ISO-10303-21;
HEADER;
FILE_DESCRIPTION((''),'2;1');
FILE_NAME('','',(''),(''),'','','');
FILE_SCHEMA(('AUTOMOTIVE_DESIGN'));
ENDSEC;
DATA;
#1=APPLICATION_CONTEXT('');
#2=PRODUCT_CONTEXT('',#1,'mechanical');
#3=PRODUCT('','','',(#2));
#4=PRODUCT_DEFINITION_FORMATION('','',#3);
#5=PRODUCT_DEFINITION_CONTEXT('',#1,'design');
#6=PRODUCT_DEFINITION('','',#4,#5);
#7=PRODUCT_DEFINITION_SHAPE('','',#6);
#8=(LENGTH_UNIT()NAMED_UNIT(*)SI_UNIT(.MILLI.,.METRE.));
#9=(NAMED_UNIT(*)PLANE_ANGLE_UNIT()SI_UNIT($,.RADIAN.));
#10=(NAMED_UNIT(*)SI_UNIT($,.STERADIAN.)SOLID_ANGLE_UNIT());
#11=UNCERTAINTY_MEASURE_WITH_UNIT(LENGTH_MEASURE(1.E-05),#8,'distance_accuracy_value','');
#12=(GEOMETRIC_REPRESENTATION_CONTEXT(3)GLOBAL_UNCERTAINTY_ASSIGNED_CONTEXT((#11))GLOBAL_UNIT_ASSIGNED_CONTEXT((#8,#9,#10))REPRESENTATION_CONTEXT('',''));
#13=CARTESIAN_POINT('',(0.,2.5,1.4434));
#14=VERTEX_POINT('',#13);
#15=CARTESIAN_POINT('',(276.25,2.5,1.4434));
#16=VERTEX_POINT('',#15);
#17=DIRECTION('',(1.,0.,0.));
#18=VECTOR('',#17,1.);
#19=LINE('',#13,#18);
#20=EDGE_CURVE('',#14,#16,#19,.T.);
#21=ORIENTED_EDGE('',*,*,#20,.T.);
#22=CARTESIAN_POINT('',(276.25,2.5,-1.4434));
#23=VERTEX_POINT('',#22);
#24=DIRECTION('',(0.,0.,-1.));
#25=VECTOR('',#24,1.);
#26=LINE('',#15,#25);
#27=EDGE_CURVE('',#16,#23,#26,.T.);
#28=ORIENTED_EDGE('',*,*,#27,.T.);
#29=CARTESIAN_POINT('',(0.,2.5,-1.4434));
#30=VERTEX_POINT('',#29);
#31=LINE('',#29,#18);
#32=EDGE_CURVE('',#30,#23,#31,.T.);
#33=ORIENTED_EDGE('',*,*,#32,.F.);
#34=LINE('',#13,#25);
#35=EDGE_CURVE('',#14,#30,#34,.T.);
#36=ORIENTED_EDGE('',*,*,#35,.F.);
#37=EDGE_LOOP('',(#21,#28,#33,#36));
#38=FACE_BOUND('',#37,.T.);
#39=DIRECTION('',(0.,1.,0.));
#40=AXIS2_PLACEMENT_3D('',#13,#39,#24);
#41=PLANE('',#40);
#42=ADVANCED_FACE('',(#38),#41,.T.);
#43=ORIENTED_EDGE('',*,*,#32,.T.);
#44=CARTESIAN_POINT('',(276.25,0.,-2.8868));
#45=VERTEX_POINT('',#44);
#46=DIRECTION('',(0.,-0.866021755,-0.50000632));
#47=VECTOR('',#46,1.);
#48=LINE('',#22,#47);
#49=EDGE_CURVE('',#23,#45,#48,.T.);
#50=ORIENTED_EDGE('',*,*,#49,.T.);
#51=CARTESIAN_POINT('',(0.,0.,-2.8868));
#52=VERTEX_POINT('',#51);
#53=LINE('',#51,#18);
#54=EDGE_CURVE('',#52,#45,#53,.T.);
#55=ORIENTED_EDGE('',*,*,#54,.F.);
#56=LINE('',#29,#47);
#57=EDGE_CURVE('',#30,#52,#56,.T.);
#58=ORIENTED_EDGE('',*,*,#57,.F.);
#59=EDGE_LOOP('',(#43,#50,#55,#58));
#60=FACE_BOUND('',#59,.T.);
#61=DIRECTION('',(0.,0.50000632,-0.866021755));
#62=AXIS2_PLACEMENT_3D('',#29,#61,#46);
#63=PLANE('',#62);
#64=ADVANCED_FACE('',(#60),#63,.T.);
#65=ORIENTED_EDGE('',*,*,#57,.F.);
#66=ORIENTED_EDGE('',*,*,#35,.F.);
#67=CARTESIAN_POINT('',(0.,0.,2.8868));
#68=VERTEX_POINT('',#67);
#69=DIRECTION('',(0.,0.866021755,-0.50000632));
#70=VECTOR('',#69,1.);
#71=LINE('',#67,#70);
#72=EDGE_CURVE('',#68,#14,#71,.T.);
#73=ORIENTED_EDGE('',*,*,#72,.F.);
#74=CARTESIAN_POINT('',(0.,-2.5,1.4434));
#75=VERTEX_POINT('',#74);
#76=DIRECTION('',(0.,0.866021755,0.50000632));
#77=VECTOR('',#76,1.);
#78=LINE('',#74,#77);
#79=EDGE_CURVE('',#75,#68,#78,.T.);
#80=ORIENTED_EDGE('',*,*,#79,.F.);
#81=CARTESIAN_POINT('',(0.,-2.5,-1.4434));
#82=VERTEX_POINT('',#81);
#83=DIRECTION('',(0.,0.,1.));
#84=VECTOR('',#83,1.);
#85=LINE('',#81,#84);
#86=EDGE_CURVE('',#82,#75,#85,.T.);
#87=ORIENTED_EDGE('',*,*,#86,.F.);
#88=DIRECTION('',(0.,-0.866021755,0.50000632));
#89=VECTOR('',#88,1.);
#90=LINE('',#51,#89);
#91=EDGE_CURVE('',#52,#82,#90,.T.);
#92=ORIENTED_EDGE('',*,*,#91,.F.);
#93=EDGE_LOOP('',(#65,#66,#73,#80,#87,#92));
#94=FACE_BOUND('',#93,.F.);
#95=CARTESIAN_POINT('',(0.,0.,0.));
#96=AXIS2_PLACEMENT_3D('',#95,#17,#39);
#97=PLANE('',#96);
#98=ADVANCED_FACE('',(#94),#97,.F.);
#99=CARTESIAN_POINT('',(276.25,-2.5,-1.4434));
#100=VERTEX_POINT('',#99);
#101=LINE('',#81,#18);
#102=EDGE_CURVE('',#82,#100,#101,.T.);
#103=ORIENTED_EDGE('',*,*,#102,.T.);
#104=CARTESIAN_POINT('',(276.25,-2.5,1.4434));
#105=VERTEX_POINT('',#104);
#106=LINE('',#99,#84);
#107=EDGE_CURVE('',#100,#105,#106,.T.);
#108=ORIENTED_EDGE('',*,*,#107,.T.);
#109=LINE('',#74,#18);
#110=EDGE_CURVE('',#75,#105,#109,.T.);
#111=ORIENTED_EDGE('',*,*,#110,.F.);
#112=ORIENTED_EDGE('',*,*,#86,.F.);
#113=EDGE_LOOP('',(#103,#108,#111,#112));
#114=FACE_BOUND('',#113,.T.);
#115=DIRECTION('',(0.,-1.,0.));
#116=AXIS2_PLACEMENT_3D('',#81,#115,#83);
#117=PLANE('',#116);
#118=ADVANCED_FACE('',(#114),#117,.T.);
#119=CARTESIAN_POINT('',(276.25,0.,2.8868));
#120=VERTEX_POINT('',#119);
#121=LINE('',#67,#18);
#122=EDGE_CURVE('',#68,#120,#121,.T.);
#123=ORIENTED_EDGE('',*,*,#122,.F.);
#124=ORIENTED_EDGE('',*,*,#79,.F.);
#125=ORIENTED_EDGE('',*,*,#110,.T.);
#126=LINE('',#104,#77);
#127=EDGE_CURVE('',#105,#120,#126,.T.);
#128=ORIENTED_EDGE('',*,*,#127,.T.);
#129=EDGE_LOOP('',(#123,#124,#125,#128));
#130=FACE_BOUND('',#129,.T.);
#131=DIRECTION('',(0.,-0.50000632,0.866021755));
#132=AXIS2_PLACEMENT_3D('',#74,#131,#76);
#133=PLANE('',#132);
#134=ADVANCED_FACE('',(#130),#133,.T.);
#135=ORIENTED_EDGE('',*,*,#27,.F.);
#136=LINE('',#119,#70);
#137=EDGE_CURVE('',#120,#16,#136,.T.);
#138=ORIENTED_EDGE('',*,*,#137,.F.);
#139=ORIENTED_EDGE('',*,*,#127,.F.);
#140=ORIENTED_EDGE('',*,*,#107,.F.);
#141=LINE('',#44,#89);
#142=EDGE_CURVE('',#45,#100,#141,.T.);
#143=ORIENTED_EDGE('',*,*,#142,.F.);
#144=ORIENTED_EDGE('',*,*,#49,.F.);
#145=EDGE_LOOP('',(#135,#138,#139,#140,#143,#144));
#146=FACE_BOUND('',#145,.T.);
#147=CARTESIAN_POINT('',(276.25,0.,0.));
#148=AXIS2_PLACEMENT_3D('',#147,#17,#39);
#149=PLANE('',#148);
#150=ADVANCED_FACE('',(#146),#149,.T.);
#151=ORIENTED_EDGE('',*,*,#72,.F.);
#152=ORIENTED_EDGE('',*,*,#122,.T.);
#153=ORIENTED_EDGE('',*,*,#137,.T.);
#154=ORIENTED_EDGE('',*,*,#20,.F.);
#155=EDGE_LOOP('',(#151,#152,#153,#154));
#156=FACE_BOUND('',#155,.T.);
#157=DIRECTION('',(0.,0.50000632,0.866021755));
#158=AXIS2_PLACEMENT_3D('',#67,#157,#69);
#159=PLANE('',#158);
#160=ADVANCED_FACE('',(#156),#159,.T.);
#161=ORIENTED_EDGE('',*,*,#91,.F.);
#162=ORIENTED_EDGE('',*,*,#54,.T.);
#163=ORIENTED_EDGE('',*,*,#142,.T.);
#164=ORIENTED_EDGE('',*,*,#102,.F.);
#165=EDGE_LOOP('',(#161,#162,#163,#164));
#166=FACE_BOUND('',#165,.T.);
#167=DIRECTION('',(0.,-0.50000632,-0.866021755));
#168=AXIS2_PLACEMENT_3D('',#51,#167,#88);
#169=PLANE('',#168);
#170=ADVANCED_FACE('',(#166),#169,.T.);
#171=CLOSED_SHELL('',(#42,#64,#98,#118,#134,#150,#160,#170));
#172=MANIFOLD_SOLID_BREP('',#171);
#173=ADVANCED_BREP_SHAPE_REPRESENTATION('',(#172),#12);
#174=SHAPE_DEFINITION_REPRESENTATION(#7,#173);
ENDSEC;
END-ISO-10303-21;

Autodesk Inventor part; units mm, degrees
ref_plane "YZ Plane" through (0, 0, 0) normal (1, 0, 0) x (0, 1, 0)
ref_plane "XZ Plane" through (0, 0, 0) normal (0, 1, 0) x (-1, 0, 0)
ref_plane "XY Plane" through (0, 0, 0) normal (0, 0, 1) x (1, 0, 0)
sketch "Sketch1" plane through (0, 0, 0) normal (1, 0, 0) x (0, 1, 0)
  line L0 (2.5, -1.4434) -> (0, -2.8868)
  line L1 (0, -2.8868) -> (-2.5, -1.4434)
  line L2 (-2.5, -1.4434) -> (-2.5, 1.4434)
  line L3 (-2.5, 1.4434) -> (0, 2.8868)
  line L4 (0, 2.8868) -> (2.5, 1.4434)
  line L5 (2.5, 1.4434) -> (2.5, -1.4434)
  point P0 (0, 0)
  point P1 (0, 0)
  dimension "d0" = 5
extrude "Extrusion1" add sketch "Sketch1" along normal blind 276.25
properties part number "MainHexShaft"
